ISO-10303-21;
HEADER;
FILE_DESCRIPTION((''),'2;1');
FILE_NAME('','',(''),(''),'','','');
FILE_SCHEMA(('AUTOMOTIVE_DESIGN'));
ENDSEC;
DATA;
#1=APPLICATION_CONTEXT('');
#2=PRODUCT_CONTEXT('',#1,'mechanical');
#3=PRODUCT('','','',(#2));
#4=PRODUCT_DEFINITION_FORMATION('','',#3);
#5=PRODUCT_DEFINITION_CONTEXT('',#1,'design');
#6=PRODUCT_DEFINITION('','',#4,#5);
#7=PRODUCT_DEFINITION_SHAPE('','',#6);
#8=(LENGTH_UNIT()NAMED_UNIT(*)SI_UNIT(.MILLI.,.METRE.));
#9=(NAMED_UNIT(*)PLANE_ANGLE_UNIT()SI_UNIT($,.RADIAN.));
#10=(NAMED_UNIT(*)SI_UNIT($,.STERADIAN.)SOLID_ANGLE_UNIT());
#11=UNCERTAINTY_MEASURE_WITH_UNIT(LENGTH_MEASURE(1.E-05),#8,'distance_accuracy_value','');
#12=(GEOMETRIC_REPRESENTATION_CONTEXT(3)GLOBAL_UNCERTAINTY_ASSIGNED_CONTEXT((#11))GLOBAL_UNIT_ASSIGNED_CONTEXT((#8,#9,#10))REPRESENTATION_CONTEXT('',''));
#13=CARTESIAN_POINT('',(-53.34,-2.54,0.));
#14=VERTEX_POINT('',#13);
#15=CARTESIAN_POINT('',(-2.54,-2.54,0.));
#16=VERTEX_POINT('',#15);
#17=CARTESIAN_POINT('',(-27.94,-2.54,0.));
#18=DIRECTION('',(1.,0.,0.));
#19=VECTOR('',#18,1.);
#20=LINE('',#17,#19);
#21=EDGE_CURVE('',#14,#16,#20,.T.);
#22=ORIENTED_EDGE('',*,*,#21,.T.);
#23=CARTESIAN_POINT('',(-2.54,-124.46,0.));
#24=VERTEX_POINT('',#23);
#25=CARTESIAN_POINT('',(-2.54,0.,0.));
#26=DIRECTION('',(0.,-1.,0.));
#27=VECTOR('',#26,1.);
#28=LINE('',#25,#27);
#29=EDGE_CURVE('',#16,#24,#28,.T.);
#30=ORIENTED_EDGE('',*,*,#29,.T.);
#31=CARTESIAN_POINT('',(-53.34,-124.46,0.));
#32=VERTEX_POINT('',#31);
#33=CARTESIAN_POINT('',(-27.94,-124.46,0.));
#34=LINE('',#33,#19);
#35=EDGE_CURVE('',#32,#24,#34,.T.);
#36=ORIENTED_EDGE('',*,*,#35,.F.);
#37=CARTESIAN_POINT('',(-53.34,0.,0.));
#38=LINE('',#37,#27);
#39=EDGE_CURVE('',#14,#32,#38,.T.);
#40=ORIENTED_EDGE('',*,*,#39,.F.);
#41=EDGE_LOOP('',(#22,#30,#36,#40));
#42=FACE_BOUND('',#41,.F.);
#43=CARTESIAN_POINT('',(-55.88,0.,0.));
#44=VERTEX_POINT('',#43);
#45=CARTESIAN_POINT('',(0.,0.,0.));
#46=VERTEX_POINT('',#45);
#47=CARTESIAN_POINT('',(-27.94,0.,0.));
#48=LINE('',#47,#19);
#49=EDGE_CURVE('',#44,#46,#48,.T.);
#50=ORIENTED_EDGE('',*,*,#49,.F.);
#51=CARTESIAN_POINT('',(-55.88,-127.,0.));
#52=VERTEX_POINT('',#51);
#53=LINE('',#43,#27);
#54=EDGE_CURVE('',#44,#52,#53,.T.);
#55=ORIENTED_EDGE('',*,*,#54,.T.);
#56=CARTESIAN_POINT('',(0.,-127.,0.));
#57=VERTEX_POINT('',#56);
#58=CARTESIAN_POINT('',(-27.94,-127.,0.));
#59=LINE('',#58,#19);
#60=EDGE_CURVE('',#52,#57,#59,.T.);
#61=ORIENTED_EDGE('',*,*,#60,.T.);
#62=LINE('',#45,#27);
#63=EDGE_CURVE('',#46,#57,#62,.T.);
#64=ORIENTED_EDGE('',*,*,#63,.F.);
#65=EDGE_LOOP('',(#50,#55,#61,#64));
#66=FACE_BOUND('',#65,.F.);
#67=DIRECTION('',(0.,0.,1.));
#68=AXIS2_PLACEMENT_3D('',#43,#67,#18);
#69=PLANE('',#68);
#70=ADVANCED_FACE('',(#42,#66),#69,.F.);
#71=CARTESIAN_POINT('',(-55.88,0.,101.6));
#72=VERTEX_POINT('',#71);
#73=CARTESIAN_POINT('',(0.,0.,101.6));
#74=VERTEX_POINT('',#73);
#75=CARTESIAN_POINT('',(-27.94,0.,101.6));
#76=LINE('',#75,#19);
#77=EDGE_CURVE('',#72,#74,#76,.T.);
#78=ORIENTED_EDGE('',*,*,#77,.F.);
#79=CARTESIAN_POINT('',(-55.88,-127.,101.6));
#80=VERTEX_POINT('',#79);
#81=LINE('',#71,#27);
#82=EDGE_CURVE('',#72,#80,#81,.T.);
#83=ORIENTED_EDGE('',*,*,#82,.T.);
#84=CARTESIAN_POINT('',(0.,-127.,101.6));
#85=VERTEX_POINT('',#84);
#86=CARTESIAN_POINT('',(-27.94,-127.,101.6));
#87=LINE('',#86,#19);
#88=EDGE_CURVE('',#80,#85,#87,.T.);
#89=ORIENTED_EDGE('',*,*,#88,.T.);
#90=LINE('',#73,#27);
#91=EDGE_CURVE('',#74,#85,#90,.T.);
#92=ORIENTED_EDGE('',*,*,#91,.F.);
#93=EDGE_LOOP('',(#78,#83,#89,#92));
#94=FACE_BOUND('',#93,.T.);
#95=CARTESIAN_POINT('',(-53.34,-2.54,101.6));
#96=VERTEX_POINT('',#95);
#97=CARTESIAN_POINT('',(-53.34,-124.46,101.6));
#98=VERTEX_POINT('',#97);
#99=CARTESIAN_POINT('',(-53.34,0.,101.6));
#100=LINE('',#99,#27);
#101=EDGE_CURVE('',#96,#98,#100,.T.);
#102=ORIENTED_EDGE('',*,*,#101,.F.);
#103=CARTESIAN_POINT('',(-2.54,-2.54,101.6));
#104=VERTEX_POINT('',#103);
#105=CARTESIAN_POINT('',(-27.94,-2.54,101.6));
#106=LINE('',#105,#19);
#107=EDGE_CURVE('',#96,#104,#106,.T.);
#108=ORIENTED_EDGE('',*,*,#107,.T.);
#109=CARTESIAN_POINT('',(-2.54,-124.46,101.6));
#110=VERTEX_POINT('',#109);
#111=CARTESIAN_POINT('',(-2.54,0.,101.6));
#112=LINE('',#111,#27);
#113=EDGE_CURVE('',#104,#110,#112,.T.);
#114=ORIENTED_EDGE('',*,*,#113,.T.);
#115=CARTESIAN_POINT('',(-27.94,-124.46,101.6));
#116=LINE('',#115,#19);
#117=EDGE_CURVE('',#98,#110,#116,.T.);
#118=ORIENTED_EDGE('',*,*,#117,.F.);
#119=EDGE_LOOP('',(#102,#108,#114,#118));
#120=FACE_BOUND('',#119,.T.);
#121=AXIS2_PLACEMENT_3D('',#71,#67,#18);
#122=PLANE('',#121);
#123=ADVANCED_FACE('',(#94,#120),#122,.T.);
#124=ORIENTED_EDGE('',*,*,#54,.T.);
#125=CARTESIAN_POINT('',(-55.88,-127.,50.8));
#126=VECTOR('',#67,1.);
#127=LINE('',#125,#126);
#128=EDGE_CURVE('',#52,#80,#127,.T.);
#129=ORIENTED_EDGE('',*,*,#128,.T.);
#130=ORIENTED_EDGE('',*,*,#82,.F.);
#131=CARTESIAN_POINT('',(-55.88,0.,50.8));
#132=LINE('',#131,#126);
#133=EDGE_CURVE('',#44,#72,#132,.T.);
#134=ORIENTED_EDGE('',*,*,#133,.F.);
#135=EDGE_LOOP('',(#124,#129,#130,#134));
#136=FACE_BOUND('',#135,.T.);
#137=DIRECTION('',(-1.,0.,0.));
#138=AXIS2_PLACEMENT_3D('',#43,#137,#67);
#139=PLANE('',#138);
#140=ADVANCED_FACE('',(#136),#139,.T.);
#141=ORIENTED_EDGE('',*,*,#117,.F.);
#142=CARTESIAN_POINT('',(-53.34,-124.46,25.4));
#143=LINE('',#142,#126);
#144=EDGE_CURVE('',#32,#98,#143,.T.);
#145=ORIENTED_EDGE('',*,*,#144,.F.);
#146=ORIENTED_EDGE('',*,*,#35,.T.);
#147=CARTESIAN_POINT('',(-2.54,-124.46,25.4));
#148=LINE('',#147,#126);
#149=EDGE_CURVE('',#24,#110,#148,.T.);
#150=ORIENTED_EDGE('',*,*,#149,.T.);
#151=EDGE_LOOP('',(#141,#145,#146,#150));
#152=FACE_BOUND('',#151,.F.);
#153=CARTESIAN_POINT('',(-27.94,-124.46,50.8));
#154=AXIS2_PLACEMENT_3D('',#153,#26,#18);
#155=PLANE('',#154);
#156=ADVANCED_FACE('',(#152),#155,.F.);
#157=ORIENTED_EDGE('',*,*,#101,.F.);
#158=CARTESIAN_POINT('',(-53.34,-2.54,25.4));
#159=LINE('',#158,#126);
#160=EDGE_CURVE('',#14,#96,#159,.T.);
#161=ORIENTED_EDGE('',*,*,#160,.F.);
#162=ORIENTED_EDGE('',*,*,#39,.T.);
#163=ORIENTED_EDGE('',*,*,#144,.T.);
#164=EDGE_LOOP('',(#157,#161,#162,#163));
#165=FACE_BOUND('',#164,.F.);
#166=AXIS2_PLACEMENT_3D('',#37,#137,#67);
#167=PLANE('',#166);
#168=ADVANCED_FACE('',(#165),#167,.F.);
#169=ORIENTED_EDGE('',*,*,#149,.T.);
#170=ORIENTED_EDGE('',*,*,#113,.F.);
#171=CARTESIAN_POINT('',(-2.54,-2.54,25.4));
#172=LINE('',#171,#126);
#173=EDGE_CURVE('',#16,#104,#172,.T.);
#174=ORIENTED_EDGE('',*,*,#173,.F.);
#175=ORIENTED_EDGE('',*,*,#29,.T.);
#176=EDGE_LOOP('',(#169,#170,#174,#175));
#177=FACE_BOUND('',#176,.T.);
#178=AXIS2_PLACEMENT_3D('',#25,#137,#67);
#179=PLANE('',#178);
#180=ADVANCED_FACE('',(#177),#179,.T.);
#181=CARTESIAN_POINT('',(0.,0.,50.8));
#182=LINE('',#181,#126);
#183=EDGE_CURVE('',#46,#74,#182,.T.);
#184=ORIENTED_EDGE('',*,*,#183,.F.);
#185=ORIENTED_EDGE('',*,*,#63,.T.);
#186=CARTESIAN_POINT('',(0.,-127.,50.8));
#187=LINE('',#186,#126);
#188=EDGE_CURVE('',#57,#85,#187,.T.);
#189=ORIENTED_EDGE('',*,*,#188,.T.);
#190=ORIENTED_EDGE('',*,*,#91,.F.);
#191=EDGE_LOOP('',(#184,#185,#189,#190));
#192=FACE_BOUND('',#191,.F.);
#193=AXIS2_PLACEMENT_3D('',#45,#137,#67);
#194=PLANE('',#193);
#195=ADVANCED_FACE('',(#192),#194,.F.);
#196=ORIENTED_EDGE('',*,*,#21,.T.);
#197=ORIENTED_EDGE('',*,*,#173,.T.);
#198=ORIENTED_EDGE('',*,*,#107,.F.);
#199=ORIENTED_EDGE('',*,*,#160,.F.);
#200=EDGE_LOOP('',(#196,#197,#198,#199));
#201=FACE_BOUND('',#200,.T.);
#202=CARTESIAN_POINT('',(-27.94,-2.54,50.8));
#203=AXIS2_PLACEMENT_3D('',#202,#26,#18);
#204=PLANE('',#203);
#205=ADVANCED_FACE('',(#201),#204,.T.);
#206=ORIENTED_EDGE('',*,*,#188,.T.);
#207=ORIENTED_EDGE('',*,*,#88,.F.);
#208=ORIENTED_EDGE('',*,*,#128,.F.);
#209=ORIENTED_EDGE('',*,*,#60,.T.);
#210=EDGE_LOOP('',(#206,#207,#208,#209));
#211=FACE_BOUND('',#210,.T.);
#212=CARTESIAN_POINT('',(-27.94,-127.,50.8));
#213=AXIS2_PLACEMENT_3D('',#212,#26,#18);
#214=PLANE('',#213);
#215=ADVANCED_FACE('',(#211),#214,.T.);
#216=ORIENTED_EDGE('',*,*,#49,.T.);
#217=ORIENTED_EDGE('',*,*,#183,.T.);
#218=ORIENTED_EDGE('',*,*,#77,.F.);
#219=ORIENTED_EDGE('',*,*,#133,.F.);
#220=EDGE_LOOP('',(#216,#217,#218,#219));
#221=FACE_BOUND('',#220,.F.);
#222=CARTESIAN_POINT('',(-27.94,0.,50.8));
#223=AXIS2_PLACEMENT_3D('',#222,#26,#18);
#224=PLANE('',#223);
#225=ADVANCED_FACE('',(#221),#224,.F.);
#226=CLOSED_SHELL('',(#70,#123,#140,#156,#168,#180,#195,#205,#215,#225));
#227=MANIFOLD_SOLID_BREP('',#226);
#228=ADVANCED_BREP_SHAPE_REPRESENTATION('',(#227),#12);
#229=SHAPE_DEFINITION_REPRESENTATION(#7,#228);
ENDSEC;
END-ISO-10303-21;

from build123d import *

# Parameters (mm, degrees)
F0_W     = 55.88
F0_H     = 101.6
F1_DEPTH = 127
F2_T     = -2.54


with BuildPart() as f1:
    # F0 (on Front) → F1 (new body)
    with BuildSketch(Plane.XZ):
        with Locations((-27.94, 50.8)):
            Rectangle(F0_W, F0_H)
    extrude(amount=F1_DEPTH)

    # F2
    f2_openings = [f1.faces().sort_by_distance(p)[0] for p in [
        (-27.94, -63.5, 101.6),
        (-27.94, -63.5, 0),
    ]]
    offset(amount=F2_T, openings=f2_openings)


solid = f1.part
